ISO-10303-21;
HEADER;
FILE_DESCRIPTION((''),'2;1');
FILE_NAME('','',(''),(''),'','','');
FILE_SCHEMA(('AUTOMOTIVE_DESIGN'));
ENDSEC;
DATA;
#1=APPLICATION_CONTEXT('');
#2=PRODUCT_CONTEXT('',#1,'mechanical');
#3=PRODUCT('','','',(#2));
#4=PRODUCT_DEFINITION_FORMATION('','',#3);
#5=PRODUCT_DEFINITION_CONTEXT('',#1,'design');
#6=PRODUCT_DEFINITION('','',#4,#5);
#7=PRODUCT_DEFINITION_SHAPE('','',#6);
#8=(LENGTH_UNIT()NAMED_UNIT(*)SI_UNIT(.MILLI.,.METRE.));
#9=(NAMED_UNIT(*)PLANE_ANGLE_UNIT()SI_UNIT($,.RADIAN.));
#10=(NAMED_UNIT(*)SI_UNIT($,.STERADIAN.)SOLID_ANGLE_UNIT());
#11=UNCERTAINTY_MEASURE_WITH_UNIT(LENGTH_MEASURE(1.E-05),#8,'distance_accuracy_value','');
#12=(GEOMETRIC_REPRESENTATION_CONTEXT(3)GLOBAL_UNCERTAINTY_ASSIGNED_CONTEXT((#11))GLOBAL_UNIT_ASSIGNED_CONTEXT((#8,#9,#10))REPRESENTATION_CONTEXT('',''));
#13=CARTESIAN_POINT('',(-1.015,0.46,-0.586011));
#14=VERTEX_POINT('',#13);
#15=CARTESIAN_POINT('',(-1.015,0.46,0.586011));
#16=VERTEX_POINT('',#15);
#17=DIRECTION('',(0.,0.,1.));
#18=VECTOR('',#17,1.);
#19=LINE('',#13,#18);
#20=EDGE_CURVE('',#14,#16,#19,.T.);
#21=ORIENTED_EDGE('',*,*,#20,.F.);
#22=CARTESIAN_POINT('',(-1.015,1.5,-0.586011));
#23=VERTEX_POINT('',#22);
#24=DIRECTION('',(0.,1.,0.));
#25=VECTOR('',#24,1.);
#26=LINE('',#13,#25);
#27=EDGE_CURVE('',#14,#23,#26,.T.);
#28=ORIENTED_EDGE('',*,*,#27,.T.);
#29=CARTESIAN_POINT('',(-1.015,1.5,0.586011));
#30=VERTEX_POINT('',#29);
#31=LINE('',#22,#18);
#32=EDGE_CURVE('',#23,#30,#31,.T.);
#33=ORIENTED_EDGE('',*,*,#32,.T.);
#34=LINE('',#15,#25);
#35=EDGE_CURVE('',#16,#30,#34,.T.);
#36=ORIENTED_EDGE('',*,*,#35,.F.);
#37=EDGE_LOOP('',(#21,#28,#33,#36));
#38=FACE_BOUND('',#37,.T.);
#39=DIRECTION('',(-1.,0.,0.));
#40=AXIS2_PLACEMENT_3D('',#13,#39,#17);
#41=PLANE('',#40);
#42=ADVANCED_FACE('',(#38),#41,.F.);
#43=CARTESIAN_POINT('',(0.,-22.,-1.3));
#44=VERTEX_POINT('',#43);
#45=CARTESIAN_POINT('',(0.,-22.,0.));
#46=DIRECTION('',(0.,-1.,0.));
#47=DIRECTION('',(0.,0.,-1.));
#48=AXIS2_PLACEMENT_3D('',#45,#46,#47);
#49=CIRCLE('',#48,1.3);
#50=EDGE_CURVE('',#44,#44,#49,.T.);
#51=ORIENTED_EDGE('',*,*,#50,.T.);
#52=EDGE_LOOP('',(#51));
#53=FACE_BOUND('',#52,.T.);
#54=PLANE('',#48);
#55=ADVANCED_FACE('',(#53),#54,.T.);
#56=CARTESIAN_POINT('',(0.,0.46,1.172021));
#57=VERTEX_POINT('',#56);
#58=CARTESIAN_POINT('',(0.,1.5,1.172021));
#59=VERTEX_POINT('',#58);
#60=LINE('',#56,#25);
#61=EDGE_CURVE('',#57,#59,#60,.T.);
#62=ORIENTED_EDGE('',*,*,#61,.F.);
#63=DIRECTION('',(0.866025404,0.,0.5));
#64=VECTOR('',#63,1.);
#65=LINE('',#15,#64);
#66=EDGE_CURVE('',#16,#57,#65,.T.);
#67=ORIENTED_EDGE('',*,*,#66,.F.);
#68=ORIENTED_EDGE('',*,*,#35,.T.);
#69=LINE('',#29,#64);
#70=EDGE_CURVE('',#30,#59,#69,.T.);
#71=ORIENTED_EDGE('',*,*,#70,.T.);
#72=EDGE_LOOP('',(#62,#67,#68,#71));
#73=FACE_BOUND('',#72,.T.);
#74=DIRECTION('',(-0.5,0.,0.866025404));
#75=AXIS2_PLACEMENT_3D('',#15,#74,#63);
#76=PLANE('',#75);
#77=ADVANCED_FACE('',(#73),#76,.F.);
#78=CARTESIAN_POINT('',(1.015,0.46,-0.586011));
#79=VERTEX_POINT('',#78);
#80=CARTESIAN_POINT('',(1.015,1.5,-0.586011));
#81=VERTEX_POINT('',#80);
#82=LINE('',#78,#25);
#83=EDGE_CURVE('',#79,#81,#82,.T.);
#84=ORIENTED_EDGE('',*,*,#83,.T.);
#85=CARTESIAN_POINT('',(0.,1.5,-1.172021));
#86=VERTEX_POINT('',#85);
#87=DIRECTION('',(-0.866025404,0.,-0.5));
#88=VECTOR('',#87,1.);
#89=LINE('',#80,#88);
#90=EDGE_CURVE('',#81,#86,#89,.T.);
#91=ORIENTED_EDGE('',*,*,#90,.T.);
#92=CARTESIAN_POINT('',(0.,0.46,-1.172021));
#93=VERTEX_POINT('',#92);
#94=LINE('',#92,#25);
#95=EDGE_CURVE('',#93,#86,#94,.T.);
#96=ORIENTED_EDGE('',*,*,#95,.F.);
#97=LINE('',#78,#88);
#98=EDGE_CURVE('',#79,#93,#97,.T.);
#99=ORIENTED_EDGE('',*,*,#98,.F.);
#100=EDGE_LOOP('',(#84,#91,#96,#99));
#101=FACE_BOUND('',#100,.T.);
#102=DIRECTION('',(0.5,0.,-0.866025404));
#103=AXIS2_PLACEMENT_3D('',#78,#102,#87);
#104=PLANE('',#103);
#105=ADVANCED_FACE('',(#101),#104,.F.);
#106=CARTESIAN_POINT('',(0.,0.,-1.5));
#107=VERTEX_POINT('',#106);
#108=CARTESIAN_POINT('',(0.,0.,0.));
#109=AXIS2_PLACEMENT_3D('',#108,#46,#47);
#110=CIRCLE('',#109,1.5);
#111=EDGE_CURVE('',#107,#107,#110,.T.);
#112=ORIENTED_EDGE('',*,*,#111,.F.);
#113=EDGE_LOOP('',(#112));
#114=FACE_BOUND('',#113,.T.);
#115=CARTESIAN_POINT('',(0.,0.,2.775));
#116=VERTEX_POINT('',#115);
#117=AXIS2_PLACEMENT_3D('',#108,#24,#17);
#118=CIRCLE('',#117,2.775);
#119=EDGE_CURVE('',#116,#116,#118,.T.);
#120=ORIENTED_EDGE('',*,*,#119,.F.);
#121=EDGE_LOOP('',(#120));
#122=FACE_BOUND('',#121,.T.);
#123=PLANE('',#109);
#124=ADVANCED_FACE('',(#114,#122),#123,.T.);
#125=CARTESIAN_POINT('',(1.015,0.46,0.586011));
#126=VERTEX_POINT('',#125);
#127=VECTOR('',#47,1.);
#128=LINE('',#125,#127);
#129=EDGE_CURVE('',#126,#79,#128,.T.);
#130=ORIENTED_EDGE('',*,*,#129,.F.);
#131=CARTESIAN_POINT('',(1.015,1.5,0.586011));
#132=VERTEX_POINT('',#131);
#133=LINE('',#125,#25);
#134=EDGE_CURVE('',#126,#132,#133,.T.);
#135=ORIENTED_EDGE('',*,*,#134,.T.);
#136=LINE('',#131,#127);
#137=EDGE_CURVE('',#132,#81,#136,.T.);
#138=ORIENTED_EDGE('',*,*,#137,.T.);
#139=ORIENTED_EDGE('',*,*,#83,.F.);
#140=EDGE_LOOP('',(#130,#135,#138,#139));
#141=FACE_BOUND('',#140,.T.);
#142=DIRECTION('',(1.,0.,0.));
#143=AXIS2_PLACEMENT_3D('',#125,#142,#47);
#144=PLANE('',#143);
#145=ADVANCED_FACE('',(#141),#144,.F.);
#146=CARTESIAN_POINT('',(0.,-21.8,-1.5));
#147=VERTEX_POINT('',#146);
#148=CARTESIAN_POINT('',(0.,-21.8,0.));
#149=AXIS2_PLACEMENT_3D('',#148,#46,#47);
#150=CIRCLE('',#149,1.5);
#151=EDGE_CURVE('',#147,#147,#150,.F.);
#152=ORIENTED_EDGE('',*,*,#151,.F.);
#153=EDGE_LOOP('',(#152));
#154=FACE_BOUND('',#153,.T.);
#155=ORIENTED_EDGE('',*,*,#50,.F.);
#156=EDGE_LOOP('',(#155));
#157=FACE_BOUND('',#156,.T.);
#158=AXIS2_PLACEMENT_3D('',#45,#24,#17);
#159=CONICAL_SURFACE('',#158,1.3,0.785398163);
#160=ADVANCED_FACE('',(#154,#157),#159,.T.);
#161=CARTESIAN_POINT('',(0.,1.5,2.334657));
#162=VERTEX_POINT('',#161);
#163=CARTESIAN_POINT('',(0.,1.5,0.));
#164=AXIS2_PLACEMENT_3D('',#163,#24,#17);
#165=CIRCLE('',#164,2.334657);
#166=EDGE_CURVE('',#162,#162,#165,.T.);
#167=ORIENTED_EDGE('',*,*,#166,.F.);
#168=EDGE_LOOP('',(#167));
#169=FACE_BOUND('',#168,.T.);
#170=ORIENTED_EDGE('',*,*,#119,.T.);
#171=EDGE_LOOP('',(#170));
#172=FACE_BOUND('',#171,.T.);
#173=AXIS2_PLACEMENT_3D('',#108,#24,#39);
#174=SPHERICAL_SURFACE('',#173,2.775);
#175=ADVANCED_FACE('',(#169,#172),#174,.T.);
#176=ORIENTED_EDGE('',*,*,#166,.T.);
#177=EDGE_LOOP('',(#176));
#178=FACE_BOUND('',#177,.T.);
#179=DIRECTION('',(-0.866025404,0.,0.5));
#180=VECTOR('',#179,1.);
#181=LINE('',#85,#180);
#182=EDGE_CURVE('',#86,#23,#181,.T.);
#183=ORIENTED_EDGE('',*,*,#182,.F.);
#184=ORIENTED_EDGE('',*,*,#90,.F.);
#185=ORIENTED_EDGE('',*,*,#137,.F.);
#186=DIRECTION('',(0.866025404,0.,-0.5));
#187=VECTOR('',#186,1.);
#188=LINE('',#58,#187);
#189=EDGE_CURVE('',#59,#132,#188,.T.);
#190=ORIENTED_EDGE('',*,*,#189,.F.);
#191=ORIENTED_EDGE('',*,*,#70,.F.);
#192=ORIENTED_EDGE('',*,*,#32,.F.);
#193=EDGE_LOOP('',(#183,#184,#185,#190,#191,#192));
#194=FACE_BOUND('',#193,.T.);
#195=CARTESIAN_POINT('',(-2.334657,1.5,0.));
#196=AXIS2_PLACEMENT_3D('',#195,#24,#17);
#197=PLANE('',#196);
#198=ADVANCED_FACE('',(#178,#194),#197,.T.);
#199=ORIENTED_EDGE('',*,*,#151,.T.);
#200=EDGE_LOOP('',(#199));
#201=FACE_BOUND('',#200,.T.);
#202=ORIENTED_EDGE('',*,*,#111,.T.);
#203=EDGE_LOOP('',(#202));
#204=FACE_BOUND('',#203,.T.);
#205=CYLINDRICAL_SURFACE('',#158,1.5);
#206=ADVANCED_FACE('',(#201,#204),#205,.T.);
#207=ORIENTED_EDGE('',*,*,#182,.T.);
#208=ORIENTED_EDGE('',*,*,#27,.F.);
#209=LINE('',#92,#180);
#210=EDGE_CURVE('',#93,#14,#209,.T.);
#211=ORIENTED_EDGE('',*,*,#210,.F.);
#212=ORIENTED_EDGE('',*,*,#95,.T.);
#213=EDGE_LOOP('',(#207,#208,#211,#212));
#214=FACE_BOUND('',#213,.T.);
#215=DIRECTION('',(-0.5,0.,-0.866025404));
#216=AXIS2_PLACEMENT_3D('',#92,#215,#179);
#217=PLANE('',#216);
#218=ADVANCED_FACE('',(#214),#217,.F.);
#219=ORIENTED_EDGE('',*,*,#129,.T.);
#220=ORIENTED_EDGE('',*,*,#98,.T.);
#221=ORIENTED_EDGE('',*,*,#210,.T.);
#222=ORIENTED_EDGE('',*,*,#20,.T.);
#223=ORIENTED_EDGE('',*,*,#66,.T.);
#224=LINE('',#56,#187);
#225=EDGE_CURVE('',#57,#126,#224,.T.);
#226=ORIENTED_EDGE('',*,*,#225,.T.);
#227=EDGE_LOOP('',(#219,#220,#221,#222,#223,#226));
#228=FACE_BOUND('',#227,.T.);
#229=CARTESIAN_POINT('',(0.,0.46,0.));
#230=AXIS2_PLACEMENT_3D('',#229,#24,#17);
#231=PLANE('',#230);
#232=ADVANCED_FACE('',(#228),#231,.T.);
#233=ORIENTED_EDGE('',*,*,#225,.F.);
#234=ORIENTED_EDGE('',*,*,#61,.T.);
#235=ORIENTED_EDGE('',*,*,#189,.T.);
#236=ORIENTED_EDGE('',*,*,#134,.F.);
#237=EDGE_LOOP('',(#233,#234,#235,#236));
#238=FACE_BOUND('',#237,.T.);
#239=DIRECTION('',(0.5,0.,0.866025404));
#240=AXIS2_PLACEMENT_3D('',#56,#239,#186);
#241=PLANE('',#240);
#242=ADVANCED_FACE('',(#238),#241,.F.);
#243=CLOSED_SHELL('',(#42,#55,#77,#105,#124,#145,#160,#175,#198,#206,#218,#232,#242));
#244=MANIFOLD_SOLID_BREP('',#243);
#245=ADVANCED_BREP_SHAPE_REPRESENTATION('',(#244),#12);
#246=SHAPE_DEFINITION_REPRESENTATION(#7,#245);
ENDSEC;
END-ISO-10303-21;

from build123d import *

# Parameters (mm, degrees)
SKETCH_2_R          = 1.5
EXTRUDE_1_DEPTH     = 22
CUT_EXTRUDE_1_DEPTH = 1.04
CHAMFER_1_SIZE      = 0.2


with BuildPart() as part:
    # 草图1 → 旋转1 (revolve)
    with BuildSketch(Plane.XY, mode=Mode.PRIVATE) as revolve_1_sk:
        with BuildLine():
            Line((0, 0), (-2.775, 0))
            ThreePointArc((-2.775, 0), (-2.662639591, 0.78164916), (-2.334657362, 1.5))
            Line((-2.334657362, 1.5), (0, 1.5))
            Line((0, 1.5), (0, 0))
        make_face()
    revolve(revolve_1_sk.sketch.rotate(Axis((0, 5.111773046, 0), (0, -1, 0)), 270), axis=Axis((0, 5.111773046, 0), (0, -1, 0)))

    # 草图2 → 凸台-拉伸1 (add)
    with BuildSketch(Plane.XZ):
        with Locations(Location((0, 0, 0), (0, 0, 270))):
            Circle(SKETCH_2_R)
    extrude(amount=EXTRUDE_1_DEPTH)

    # 草图3 → 切除-拉伸1 (cut)
    with BuildSketch(Plane(origin=(0, 1.5, 0), x_dir=(1, 0, 0), z_dir=(0, 1, 0))):
        Polygon((0, 1.172021046), (-1.015, 0.586010523), (-1.015, -0.586010523), (0, -1.172021046), (1.015, -0.586010523), (1.015, 0.586010523), align=None)
    extrude(amount=-CUT_EXTRUDE_1_DEPTH, mode=Mode.SUBTRACT)

    # 倒角1
    chamfer_1_edges = [part.edges().sort_by_distance(p)[0] for p in [
        (0, -22, 1.5),
    ]]
    chamfer(chamfer_1_edges, length=CHAMFER_1_SIZE)


solid = part.part
